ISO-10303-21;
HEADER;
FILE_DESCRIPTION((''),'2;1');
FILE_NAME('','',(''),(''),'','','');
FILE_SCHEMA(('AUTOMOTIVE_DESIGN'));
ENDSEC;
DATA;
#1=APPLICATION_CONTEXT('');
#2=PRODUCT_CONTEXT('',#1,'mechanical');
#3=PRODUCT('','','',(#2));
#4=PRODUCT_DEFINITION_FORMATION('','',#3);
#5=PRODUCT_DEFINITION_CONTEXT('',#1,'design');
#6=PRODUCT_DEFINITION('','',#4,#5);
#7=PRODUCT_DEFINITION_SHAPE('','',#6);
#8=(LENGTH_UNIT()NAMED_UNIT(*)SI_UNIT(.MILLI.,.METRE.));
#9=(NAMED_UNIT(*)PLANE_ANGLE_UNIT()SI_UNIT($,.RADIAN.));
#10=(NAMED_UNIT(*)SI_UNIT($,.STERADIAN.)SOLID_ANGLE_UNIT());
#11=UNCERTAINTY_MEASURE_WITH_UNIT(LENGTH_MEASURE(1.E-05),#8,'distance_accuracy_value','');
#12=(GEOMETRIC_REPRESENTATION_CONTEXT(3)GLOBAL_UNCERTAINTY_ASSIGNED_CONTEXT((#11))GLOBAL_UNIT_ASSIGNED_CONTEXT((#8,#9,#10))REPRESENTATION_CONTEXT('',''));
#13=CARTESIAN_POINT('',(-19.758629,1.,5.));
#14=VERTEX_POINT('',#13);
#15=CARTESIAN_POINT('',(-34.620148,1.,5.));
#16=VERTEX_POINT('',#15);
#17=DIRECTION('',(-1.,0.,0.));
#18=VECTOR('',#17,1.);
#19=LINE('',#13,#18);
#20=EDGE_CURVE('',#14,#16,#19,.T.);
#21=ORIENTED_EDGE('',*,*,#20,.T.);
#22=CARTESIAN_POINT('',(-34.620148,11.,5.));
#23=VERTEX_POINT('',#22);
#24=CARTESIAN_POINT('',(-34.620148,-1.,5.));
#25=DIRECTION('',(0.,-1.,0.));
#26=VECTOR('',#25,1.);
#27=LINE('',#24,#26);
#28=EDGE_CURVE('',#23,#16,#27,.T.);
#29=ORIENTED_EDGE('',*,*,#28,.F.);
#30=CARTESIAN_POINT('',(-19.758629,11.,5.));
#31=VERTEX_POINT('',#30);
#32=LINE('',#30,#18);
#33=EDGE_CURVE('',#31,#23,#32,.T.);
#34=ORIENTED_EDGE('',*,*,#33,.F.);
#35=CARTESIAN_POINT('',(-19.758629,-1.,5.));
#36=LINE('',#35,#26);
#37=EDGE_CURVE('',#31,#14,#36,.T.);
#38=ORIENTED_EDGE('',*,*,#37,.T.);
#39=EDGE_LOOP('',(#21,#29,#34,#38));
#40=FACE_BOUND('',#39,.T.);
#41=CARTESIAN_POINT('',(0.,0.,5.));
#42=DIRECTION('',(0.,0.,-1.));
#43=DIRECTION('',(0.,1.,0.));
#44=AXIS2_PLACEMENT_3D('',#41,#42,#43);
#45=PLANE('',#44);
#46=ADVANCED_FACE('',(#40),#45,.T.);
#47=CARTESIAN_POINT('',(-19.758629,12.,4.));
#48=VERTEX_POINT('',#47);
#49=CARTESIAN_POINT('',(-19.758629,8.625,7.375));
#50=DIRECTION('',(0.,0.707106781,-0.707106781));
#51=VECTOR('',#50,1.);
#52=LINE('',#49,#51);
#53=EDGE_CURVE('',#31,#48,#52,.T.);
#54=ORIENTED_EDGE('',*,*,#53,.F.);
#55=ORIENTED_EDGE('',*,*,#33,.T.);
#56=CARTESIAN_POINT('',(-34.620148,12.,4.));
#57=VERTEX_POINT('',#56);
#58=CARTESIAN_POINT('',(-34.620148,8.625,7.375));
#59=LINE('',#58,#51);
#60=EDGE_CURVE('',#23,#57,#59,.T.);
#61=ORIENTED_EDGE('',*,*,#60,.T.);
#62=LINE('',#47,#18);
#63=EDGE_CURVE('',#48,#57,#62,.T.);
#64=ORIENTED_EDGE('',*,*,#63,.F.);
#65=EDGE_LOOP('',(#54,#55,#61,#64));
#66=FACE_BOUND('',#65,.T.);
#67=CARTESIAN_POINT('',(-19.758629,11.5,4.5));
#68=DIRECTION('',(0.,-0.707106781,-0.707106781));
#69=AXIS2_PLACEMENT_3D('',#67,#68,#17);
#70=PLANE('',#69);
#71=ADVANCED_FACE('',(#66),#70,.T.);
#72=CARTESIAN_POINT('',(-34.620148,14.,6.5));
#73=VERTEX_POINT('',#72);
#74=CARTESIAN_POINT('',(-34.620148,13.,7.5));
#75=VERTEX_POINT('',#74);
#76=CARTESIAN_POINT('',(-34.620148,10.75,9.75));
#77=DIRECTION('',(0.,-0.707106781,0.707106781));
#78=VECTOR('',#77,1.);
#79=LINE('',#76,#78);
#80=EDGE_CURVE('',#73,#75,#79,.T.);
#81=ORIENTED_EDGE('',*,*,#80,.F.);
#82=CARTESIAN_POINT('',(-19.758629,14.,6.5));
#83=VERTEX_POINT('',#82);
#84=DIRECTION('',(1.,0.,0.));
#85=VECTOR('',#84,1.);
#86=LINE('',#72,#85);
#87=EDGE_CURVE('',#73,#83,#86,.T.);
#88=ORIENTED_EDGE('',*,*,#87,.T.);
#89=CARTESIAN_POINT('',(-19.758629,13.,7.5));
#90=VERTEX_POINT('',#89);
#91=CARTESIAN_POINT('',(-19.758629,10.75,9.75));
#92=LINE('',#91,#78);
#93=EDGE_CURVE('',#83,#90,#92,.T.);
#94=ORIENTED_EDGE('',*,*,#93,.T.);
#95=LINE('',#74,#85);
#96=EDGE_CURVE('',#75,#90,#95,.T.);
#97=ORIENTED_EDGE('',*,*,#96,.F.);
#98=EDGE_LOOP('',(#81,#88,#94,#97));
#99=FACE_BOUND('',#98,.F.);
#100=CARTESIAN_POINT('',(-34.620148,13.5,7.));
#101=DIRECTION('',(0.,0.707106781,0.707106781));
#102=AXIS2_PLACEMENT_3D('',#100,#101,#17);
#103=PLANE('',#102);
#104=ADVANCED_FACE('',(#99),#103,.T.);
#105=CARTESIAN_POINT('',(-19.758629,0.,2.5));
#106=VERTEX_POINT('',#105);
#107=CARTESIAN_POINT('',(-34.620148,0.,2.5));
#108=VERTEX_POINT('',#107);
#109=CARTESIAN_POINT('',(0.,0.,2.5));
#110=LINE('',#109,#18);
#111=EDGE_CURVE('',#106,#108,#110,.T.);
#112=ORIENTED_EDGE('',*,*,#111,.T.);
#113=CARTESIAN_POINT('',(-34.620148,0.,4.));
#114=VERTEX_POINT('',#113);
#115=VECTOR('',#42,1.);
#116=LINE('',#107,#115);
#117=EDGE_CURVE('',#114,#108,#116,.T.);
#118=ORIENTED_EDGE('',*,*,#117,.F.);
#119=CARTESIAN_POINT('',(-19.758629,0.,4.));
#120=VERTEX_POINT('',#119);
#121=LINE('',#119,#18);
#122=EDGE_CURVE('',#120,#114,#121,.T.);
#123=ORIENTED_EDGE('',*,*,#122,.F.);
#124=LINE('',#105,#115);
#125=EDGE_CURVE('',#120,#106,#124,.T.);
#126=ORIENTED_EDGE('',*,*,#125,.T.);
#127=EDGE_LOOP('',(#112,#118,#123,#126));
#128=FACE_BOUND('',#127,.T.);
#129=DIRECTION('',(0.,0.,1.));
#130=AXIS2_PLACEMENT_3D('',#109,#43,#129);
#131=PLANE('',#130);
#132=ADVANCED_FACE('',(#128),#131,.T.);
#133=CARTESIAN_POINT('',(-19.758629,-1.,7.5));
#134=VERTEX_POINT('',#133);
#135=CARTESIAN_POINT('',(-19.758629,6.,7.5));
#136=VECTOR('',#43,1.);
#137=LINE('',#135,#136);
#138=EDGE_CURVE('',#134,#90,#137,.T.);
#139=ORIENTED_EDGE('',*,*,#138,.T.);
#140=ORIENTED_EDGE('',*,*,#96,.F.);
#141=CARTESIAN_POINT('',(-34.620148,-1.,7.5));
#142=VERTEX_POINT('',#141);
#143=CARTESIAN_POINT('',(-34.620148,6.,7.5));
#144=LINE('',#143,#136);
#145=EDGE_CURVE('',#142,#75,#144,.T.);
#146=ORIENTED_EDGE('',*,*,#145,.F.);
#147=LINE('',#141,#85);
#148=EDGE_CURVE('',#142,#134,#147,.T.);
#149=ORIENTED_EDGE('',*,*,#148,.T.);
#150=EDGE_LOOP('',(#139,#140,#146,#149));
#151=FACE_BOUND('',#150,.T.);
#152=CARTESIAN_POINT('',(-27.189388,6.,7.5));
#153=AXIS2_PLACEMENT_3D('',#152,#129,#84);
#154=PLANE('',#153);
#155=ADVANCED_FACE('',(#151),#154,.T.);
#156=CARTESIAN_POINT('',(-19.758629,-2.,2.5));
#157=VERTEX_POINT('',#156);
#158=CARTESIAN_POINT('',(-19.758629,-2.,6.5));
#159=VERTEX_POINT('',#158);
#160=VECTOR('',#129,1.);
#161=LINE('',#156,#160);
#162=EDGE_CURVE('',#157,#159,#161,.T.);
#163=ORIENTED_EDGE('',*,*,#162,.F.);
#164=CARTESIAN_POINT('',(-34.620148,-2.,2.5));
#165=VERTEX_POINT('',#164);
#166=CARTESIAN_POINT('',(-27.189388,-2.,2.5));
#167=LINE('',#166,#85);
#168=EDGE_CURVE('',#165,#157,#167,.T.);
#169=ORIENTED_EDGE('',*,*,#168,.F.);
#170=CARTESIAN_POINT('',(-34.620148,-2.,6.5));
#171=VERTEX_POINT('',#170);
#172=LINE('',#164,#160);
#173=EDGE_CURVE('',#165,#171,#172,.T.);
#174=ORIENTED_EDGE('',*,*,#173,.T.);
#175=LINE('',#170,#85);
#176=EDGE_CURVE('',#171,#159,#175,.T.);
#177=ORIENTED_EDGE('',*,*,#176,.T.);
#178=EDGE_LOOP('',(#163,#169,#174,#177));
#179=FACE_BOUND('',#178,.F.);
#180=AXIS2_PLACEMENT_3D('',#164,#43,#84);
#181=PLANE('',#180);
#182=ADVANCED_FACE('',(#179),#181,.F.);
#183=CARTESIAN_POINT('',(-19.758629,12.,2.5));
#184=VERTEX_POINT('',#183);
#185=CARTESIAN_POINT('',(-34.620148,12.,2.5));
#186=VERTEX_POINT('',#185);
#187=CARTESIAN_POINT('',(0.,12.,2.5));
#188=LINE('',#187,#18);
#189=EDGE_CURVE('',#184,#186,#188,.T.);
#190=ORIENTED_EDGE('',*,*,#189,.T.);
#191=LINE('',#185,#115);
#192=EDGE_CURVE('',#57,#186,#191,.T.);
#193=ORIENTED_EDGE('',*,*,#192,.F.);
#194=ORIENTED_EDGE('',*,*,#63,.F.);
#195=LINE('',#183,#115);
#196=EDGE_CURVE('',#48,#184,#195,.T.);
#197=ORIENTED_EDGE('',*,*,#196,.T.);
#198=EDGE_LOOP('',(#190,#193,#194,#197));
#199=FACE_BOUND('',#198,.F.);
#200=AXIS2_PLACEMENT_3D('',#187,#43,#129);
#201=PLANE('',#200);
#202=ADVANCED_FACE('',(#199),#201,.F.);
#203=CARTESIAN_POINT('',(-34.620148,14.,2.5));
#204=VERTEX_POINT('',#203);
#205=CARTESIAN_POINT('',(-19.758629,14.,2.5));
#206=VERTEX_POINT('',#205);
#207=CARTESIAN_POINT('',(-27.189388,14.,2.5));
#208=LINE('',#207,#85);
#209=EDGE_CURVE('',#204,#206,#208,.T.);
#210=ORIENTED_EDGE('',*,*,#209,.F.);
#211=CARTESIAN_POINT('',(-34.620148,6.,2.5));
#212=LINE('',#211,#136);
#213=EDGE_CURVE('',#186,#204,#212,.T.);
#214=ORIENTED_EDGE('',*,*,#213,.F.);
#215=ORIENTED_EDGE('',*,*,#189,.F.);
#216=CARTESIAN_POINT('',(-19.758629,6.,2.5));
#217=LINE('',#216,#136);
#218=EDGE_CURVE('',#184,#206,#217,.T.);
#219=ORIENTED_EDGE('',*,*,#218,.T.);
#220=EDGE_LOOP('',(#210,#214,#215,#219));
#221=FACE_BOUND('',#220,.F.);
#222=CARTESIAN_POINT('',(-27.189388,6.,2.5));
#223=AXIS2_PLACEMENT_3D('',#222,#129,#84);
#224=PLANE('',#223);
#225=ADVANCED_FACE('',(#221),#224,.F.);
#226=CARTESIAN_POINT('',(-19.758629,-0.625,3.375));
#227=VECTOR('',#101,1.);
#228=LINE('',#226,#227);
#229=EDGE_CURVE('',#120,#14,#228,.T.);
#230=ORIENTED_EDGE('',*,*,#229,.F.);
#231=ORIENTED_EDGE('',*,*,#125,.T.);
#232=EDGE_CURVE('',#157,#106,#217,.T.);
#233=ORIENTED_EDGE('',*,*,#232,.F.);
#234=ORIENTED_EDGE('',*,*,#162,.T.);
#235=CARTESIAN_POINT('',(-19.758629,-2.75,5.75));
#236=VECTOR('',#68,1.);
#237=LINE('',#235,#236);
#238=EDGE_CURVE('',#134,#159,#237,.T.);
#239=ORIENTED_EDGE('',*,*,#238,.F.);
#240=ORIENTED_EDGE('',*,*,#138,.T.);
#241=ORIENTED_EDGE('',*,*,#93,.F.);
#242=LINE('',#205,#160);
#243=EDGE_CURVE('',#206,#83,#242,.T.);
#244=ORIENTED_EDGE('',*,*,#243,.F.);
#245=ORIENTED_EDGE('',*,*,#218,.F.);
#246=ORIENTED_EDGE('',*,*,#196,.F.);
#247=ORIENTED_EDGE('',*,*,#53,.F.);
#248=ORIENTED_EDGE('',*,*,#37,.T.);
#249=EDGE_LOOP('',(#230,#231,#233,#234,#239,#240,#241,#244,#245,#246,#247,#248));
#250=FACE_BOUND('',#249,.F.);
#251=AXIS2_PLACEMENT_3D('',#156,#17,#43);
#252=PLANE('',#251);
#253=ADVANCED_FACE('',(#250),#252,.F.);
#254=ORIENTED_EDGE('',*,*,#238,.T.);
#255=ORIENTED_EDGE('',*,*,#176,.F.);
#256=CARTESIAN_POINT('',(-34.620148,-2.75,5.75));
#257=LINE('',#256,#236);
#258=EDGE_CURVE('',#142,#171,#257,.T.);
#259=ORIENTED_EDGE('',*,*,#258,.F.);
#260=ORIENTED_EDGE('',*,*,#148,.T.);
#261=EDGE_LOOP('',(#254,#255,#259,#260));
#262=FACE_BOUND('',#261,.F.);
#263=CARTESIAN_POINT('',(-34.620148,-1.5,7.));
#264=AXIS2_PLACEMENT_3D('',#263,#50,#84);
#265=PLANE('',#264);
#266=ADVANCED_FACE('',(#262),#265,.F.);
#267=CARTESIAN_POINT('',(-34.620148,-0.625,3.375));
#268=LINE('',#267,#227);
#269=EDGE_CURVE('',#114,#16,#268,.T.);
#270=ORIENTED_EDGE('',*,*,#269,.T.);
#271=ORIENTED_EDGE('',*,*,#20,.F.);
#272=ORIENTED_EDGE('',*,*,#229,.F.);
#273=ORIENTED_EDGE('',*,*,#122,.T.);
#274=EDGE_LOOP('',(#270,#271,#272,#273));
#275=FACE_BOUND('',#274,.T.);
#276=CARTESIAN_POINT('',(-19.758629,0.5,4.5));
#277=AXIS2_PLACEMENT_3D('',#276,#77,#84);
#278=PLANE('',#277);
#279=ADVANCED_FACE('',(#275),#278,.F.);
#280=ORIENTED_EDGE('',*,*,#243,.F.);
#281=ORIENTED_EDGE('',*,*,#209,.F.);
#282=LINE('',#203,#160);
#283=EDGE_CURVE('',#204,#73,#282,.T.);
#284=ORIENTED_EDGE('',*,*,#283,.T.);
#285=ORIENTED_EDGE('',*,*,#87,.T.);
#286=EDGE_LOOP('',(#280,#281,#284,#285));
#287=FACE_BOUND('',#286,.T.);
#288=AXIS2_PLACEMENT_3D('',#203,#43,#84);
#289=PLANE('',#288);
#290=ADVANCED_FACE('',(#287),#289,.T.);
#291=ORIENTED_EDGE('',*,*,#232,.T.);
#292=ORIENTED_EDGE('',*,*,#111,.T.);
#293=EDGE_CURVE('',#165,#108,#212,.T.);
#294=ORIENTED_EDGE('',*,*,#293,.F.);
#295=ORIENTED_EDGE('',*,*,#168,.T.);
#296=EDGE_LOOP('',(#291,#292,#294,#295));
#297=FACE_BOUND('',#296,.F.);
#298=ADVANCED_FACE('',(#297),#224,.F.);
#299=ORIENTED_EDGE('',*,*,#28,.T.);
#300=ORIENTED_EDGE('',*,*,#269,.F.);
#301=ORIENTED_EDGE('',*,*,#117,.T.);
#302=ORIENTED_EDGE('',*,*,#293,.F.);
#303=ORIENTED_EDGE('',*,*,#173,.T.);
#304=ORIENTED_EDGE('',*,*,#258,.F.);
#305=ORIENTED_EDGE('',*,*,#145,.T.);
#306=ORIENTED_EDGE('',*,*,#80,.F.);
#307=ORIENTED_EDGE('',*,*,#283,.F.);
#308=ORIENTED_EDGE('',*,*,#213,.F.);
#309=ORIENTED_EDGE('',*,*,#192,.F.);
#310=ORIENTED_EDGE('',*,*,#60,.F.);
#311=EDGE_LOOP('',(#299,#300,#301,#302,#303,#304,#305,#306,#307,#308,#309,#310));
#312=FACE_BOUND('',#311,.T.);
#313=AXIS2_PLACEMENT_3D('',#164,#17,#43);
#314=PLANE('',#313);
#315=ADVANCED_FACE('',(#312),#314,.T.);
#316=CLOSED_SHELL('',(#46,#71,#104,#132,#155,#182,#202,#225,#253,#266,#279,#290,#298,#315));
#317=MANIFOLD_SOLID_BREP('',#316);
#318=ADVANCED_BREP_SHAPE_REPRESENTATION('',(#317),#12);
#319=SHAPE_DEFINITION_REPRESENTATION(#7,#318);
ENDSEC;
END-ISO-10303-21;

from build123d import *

# Parameters (mm, degrees)
SKETCH003_W     = 14.861519
SKETCH003_H     = 16
PAD001_DEPTH    = 5
SKETCH004_W     = 12
SKETCH004_H     = 2.5
POCKET002_DEPTH = 34.621148
CHAMFER_SIZE    = 1


with BuildPart() as part:
    # Sketch003 (on DatumPlane) → Pad001 (new body)
    with BuildSketch(Plane.XY.offset(2.5)):
        with Locations((-27.189388, 6)):
            Rectangle(SKETCH003_W, SKETCH003_H)
    extrude(amount=PAD001_DEPTH)

    # Sketch004 → Pocket002 (cut, through all)
    with BuildSketch(Plane.YZ):
        with Locations((6, 3.75)):
            Rectangle(SKETCH004_W, SKETCH004_H)
    extrude(amount=-POCKET002_DEPTH, mode=Mode.SUBTRACT)

    # Chamfer
    chamfer_edges = [part.edges().sort_by_distance(p)[0] for p in [
        (-27.189388, 12, 5),
        (-27.189388, 0, 5),
        (-27.189388, -2, 7.5),
        (-27.189388, 14, 7.5),
    ]]
    chamfer(chamfer_edges, length=CHAMFER_SIZE)


solid = part.part
